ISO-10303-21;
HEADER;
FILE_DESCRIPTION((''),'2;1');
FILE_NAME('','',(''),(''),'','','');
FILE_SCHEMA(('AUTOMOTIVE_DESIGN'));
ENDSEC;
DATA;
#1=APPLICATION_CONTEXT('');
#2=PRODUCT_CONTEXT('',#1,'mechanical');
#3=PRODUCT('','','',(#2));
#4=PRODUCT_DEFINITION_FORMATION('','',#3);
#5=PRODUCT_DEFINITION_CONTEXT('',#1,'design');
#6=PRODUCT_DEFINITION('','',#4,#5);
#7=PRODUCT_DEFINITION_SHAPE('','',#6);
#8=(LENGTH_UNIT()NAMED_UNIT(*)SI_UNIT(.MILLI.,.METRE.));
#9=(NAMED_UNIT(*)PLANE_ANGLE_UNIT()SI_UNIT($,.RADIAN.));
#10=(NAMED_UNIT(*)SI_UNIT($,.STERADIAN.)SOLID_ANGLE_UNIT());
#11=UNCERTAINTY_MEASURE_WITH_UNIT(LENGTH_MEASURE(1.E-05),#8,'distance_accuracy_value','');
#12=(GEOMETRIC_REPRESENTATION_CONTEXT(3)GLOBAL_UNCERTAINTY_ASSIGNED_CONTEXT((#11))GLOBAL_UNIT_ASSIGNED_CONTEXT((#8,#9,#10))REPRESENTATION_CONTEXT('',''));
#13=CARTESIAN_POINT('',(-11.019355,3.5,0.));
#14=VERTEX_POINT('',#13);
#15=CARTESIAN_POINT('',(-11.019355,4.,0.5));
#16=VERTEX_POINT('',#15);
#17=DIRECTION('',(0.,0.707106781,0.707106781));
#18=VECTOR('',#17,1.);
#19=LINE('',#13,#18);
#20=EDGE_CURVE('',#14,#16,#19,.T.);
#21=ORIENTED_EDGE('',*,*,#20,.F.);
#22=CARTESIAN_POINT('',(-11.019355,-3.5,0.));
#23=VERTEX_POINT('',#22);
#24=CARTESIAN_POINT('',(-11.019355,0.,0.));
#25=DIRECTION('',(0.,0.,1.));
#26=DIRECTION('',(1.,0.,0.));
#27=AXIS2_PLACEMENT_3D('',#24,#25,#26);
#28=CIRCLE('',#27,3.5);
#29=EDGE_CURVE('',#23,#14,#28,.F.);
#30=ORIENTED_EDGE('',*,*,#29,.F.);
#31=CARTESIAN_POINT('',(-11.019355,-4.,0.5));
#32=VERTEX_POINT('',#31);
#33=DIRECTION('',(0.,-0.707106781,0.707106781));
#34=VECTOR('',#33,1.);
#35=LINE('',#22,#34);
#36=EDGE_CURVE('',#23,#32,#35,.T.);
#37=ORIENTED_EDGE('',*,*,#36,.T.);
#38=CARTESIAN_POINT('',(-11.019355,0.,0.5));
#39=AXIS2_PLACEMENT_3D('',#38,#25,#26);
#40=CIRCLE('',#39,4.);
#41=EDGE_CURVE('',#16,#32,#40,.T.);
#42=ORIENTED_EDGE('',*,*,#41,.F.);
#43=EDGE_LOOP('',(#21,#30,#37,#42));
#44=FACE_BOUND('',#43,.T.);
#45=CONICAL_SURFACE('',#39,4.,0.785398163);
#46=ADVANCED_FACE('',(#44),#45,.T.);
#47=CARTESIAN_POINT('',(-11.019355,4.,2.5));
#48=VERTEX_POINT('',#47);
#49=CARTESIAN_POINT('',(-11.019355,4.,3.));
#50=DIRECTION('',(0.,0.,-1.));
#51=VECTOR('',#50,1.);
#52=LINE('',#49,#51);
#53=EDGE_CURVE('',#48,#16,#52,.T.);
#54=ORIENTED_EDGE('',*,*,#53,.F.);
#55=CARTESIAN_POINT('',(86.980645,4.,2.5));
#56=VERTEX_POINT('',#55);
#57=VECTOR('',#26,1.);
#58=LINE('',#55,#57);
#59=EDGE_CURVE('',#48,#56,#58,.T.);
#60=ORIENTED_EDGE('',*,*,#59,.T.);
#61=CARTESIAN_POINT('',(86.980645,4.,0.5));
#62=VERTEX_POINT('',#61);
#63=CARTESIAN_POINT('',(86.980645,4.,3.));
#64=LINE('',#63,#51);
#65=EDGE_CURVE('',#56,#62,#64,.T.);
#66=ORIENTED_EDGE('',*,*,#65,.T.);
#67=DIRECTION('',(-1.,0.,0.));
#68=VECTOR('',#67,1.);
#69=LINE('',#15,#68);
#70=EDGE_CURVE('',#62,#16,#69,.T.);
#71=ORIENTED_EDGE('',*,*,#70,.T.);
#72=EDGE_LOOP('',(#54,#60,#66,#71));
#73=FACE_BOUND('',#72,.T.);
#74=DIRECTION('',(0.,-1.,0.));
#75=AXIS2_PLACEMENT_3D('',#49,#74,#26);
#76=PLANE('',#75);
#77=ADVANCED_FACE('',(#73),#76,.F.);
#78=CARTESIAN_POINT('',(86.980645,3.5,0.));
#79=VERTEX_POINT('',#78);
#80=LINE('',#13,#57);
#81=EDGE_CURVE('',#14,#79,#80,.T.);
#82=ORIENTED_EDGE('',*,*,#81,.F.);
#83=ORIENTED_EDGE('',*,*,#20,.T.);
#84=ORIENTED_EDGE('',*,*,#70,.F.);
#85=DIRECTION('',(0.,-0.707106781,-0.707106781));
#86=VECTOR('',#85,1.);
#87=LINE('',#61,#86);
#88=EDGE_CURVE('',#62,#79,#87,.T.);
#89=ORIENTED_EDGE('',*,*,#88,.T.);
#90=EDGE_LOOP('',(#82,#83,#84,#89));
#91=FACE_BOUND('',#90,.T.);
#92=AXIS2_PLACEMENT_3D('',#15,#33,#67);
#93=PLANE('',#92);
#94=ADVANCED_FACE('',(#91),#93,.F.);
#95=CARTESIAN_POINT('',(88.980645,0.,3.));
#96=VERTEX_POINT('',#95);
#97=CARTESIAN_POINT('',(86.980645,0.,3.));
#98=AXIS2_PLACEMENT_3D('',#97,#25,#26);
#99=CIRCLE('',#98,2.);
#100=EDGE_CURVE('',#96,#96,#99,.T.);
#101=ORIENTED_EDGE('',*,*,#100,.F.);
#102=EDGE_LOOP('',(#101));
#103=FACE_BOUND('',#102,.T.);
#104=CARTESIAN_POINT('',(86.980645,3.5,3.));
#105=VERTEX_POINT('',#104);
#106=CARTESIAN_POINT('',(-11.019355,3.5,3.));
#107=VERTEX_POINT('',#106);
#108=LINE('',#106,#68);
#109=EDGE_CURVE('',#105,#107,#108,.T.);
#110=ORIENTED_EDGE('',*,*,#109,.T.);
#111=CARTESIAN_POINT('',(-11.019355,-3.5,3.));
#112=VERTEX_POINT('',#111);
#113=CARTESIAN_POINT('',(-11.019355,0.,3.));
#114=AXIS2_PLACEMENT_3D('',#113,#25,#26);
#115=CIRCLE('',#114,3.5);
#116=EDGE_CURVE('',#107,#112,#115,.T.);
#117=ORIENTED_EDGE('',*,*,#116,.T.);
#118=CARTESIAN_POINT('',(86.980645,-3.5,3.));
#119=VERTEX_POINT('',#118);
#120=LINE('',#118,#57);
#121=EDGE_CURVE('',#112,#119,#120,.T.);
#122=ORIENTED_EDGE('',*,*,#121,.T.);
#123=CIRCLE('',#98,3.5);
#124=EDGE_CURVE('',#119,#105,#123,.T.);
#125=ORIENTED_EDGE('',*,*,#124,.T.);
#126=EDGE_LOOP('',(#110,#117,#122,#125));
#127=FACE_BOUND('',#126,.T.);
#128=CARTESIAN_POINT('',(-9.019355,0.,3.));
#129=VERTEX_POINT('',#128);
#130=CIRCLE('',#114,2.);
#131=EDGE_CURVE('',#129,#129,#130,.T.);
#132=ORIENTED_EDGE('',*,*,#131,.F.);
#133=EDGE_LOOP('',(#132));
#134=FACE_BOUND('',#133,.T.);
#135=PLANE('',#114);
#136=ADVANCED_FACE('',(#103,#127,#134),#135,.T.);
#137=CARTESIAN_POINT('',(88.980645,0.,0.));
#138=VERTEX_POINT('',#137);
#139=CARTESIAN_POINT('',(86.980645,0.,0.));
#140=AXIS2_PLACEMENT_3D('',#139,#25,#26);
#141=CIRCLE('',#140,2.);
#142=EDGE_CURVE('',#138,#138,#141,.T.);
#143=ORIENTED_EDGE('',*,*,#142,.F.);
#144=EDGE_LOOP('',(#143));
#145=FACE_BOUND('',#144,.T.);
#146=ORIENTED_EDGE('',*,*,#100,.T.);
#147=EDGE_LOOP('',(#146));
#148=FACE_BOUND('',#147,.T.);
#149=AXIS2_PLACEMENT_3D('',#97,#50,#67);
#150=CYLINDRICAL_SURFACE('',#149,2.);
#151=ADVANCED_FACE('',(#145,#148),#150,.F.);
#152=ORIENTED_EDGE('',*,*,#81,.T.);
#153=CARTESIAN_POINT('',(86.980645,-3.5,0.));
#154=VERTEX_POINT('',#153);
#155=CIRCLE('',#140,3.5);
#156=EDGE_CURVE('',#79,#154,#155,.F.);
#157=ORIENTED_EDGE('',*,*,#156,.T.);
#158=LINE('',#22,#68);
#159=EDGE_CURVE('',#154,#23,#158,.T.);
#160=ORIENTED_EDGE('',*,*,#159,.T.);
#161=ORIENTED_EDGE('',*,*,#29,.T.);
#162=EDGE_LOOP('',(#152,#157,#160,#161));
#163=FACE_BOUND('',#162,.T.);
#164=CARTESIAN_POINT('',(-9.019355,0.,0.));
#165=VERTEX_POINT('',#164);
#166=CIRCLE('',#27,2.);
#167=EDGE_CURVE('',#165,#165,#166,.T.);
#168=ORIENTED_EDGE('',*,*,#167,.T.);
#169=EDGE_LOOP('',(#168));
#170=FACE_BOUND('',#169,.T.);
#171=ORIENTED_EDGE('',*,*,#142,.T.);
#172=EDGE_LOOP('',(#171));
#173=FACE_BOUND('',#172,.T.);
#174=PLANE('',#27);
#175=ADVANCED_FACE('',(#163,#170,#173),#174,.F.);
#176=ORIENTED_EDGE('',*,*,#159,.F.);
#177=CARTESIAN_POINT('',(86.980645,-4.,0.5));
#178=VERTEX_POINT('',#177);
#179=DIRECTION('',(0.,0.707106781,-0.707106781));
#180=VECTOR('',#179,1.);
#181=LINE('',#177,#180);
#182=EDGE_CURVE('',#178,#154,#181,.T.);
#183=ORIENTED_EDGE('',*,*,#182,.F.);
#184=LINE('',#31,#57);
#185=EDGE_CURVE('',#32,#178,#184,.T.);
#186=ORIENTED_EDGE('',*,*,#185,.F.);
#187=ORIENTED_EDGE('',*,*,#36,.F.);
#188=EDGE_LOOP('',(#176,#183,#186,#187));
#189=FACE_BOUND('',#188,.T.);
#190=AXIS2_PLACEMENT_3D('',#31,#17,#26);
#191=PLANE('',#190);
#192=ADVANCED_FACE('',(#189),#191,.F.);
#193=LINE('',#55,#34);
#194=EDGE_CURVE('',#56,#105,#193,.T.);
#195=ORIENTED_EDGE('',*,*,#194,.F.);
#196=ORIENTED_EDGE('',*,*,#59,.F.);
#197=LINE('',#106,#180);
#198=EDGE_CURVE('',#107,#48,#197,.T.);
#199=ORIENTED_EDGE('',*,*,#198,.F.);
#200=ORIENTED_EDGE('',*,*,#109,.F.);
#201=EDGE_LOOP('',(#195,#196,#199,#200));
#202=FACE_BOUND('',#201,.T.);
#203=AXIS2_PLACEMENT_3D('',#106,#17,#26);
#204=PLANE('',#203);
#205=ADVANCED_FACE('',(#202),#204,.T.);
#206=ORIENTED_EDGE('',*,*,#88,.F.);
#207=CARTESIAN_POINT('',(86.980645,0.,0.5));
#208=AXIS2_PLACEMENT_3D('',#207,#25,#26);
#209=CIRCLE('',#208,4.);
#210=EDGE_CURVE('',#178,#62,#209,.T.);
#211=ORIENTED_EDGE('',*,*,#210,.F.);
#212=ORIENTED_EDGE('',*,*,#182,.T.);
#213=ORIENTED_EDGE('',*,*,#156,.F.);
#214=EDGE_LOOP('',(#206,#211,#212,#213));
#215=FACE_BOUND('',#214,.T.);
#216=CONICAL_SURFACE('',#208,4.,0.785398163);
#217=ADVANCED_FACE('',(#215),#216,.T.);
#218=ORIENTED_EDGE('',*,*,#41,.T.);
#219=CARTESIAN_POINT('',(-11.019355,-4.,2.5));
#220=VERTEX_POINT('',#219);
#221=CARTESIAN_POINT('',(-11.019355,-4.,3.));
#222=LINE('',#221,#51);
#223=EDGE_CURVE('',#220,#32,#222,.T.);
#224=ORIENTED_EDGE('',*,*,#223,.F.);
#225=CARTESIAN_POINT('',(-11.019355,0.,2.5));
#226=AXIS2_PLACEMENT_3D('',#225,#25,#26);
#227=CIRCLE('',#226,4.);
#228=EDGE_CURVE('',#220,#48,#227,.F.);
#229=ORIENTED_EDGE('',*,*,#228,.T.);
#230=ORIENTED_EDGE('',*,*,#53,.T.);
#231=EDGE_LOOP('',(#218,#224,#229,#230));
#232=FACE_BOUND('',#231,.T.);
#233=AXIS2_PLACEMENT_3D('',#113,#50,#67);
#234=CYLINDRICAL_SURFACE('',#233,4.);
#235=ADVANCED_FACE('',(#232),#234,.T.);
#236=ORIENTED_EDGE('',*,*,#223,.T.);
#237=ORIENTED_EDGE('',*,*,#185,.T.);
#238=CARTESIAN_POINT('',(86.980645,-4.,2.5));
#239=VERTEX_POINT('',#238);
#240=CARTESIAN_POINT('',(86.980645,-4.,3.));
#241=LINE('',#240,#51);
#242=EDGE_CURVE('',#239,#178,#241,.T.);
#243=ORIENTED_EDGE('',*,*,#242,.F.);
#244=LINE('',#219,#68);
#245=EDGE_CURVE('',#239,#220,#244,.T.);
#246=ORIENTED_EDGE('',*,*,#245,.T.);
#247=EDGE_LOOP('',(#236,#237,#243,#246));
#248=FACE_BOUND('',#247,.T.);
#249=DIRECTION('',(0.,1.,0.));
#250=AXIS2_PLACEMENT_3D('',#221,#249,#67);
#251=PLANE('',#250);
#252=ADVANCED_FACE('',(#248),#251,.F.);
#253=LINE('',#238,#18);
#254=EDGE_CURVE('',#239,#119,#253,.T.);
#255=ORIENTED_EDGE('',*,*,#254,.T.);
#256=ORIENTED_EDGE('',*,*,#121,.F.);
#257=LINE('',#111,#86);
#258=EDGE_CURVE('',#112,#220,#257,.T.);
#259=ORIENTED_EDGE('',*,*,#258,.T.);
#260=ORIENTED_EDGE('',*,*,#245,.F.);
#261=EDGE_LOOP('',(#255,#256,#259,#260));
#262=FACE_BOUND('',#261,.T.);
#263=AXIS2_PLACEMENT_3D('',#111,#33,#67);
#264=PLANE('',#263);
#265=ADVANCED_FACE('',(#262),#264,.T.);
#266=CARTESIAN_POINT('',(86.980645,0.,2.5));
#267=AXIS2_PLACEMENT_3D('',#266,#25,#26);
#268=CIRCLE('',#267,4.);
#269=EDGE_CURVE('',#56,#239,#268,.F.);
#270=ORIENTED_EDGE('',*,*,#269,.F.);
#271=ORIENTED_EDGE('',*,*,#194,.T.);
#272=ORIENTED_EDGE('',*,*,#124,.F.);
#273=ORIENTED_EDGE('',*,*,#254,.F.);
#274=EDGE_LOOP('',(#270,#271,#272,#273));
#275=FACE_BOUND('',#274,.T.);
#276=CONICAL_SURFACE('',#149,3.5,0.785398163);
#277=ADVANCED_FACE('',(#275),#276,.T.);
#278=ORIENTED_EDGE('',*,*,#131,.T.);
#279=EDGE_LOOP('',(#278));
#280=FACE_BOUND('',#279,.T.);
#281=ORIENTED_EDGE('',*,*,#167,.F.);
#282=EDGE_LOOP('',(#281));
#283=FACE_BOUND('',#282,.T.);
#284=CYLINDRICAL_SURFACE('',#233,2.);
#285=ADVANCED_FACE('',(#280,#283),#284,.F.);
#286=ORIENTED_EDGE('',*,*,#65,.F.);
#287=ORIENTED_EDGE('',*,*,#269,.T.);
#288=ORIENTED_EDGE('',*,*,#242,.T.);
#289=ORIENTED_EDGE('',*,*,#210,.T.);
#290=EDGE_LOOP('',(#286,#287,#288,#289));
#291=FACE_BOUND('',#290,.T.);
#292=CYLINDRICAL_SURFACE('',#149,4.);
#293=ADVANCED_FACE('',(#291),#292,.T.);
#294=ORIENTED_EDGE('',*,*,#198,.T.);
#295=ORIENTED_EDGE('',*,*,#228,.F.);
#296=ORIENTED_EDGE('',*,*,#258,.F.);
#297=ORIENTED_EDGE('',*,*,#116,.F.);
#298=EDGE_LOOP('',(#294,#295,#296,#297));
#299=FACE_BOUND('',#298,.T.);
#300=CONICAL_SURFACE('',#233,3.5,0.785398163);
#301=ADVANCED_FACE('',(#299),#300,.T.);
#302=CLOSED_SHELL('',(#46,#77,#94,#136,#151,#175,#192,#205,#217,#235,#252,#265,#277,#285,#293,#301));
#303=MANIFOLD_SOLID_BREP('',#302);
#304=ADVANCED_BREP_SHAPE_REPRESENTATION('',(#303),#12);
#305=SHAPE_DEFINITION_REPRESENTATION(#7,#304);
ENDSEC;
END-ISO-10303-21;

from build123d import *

# Parameters (mm, degrees)
SKETCH1_R           = 2
BOSS_EXTRUDE1_DEPTH = 3
CHAMFER1_SIZE       = 0.5


with BuildPart() as part:
    # Sketch1 → Boss-Extrude1 (new body)
    with BuildSketch(Plane.XY):
        with BuildLine():
            Line((-11.019354839, 4), (86.980645161, 4))
            ThreePointArc((86.980645161, 4), (90.980645161, 0), (86.980645161, -4))
            Line((86.980645161, -4), (-11.019354839, -4))
            ThreePointArc((-11.019354839, -4), (-15.019354839, 0), (-11.019354839, 4))
        make_face()
        with Locations((-11.019354839, 0)):
            Circle(SKETCH1_R, mode=Mode.SUBTRACT)
        with Locations((86.980645161, 0)):
            Circle(SKETCH1_R, mode=Mode.SUBTRACT)
    extrude(amount=BOSS_EXTRUDE1_DEPTH)

    # Chamfer1
    chamfer1_edges = [part.edges().sort_by_distance(p)[0] for p in [
        (90.980645161, 0, 3),
        (37.980645161, 4, 3),
        (-15.019354839, 0, 3),
        (37.980645161, 4, 0),
        (90.980645161, 0, 0),
        (37.980645161, -4, 0),
        (-15.019354839, 0, 0),
        (37.980645161, -4, 3),
    ]]
    chamfer(chamfer1_edges, length=CHAMFER1_SIZE)


solid = part.part
